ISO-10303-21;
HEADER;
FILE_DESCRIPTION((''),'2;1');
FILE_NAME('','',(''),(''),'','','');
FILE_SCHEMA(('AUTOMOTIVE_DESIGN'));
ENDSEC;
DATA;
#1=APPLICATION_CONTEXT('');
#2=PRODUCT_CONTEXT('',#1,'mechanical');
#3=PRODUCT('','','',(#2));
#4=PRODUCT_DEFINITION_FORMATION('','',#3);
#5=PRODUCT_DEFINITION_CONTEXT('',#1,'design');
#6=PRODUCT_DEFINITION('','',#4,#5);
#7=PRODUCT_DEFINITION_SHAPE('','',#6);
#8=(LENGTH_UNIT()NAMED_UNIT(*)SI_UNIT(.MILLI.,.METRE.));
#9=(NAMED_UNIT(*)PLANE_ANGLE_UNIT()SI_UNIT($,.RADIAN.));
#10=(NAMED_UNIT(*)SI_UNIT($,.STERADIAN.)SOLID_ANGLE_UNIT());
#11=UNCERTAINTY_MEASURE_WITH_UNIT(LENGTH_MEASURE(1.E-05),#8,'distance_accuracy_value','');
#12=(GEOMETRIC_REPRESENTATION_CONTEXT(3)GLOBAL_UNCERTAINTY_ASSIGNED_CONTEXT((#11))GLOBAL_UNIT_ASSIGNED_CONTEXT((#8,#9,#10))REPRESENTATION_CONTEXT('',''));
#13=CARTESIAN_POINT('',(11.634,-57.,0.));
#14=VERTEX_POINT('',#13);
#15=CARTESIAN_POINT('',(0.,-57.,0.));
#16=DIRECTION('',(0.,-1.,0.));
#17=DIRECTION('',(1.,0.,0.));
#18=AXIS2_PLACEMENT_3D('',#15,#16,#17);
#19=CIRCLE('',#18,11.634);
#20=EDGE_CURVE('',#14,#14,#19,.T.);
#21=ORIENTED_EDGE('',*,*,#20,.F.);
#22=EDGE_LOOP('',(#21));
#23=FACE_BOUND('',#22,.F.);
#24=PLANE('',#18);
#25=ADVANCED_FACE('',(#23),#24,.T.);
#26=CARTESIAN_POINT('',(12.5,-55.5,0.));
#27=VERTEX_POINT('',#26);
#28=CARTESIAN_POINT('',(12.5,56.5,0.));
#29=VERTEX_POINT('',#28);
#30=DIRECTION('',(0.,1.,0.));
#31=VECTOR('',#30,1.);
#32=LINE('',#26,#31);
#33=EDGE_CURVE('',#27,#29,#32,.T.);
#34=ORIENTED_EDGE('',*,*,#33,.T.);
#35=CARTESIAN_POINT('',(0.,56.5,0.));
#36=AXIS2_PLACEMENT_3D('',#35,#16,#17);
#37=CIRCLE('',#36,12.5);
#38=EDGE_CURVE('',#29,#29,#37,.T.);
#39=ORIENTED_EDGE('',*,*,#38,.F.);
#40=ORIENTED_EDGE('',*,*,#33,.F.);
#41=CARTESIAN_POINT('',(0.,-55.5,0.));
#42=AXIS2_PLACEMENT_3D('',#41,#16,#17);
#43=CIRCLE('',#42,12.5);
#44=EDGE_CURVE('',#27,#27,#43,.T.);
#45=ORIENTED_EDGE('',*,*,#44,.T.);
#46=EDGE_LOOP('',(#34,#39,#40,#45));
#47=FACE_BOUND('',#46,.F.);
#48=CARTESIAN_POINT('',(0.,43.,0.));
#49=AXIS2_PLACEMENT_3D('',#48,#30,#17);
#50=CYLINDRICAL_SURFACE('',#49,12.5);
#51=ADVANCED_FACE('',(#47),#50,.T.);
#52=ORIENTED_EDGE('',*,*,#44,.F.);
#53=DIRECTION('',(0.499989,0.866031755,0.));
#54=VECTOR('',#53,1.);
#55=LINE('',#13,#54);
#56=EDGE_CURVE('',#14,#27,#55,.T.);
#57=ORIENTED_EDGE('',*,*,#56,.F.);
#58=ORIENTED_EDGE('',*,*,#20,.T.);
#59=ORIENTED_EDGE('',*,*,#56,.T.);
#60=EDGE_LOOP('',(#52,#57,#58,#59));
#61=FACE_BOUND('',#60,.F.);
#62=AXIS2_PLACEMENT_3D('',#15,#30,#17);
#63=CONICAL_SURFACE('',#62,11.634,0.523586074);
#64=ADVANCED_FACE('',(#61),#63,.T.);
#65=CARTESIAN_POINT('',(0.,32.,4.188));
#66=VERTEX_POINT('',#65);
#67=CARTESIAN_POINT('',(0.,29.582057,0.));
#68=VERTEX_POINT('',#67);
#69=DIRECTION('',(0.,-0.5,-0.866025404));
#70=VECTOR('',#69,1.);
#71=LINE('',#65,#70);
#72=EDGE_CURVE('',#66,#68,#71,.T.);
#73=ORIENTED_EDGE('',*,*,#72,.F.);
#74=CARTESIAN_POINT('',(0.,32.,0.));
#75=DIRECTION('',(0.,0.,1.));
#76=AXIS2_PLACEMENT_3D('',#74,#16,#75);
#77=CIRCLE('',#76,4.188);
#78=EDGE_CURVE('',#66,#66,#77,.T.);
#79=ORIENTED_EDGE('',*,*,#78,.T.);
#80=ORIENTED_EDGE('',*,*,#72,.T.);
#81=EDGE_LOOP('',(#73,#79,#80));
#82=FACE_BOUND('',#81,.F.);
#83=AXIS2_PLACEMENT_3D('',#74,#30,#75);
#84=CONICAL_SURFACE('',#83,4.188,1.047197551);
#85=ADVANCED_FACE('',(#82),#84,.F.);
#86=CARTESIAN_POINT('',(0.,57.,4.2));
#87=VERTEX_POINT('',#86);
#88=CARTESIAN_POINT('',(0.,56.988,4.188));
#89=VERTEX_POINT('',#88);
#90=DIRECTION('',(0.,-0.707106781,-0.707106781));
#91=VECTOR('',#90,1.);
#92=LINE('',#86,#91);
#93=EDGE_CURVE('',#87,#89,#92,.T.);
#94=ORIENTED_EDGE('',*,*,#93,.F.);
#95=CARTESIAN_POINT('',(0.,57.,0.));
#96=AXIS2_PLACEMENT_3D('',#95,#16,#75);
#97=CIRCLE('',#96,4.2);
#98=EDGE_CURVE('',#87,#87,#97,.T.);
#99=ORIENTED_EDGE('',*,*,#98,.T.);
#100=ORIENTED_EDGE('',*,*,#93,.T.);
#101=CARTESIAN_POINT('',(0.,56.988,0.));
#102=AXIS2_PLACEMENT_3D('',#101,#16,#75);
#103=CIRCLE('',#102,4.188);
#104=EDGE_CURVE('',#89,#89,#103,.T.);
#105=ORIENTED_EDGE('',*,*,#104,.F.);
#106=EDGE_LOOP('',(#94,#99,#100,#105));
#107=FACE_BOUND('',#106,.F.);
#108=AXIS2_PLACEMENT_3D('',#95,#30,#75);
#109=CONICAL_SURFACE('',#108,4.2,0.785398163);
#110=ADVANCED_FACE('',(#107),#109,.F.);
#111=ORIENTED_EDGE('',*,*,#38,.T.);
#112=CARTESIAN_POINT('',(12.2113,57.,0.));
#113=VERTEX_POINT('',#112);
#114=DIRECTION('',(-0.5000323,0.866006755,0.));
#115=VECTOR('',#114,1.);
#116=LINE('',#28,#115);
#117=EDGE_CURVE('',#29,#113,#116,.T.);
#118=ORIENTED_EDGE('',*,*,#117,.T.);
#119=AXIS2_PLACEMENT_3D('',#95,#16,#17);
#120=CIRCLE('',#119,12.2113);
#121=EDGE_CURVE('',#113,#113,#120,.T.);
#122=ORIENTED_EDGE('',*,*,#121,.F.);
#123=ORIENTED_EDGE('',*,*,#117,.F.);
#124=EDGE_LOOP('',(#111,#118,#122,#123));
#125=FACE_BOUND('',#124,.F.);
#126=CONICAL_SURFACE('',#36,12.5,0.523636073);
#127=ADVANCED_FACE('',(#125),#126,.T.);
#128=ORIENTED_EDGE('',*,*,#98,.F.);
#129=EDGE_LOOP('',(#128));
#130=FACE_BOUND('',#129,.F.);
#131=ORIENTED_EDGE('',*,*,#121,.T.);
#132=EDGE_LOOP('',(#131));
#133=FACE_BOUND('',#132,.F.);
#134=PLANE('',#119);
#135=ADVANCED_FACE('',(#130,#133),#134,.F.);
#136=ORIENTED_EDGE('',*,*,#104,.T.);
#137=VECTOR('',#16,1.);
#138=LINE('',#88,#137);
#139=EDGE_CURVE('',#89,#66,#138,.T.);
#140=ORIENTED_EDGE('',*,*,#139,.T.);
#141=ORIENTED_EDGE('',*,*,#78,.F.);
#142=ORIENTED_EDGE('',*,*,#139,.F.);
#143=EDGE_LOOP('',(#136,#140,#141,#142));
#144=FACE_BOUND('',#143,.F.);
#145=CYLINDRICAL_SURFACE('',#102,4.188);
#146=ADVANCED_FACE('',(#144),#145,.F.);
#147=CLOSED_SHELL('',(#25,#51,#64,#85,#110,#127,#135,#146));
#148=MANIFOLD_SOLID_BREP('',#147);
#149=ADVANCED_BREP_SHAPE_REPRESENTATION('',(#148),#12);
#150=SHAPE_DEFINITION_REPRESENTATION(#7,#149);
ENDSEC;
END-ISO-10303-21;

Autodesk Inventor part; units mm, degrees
ref_plane "YZ Plane" through (0, 0, 0) normal (1, 0, 0) x (0, 1, 0)
ref_plane "XZ Plane" through (0, 0, 0) normal (0, 1, 0) x (-1, 0, 0)
ref_plane "XY Plane" through (0, 0, 0) normal (0, 0, 1) x (1, 0, 0)
sketch "Эскиз1" plane through (0, 0, 0) normal (0, 0, 1) x (1, 0, 0)
  line L0 (0, 57) -> (0, -57)
  line L1 (0, -57) -> (11.634, -57)
  line L2 (11.634, -57) -> (12.5, -55.5)
  line L3 (12.5, -55.5) -> (12.5, 43)
  line L4 (12.5, 43) -> (12.5, 43)
  line L5 (12.5, 43) -> (12.5, 56.5)
  line L6 (12.2113, 57) -> (0, 57)
  line L7 (12.5, 56.5) -> (12.2113, 57)
  point P0 (0, 0)
  point P1 (0, 0)
  point P2 (12.5, 57)
  point P3 (12.5, 43)
  dimension "d0" = 114
  dimension "d1" = 30
  dimension "d2" = 25
  dimension "d3" = 1.5
  dimension "d4" = 100
  dimension "d5" = 25
  dimension "d6" = 0.5
  dimension "d7" = 30
revolve "Вращение1" add sketch "Эскиз1" angle 360 about axis through (0, 57, 0) along (0, -1, 0)
sketch "Эскиз3" plane through (0, 57, 0) normal (0, 1, 0) x (1, 0, 0)
  circle A0 centre (0, 0) radius 12.2113 projected
  point P0 (0, 0)
hole "Отверстие1" at (0, 57, 0) direction (0, -1, 0) diameter 8.376 depth 25 tip angle 120 countersink diameter 8.4 countersink angle 90 thread size "M10x1.5" class "6H" standard "ISO Metric profile"
properties part number "74. Ось блока заднего хода"
